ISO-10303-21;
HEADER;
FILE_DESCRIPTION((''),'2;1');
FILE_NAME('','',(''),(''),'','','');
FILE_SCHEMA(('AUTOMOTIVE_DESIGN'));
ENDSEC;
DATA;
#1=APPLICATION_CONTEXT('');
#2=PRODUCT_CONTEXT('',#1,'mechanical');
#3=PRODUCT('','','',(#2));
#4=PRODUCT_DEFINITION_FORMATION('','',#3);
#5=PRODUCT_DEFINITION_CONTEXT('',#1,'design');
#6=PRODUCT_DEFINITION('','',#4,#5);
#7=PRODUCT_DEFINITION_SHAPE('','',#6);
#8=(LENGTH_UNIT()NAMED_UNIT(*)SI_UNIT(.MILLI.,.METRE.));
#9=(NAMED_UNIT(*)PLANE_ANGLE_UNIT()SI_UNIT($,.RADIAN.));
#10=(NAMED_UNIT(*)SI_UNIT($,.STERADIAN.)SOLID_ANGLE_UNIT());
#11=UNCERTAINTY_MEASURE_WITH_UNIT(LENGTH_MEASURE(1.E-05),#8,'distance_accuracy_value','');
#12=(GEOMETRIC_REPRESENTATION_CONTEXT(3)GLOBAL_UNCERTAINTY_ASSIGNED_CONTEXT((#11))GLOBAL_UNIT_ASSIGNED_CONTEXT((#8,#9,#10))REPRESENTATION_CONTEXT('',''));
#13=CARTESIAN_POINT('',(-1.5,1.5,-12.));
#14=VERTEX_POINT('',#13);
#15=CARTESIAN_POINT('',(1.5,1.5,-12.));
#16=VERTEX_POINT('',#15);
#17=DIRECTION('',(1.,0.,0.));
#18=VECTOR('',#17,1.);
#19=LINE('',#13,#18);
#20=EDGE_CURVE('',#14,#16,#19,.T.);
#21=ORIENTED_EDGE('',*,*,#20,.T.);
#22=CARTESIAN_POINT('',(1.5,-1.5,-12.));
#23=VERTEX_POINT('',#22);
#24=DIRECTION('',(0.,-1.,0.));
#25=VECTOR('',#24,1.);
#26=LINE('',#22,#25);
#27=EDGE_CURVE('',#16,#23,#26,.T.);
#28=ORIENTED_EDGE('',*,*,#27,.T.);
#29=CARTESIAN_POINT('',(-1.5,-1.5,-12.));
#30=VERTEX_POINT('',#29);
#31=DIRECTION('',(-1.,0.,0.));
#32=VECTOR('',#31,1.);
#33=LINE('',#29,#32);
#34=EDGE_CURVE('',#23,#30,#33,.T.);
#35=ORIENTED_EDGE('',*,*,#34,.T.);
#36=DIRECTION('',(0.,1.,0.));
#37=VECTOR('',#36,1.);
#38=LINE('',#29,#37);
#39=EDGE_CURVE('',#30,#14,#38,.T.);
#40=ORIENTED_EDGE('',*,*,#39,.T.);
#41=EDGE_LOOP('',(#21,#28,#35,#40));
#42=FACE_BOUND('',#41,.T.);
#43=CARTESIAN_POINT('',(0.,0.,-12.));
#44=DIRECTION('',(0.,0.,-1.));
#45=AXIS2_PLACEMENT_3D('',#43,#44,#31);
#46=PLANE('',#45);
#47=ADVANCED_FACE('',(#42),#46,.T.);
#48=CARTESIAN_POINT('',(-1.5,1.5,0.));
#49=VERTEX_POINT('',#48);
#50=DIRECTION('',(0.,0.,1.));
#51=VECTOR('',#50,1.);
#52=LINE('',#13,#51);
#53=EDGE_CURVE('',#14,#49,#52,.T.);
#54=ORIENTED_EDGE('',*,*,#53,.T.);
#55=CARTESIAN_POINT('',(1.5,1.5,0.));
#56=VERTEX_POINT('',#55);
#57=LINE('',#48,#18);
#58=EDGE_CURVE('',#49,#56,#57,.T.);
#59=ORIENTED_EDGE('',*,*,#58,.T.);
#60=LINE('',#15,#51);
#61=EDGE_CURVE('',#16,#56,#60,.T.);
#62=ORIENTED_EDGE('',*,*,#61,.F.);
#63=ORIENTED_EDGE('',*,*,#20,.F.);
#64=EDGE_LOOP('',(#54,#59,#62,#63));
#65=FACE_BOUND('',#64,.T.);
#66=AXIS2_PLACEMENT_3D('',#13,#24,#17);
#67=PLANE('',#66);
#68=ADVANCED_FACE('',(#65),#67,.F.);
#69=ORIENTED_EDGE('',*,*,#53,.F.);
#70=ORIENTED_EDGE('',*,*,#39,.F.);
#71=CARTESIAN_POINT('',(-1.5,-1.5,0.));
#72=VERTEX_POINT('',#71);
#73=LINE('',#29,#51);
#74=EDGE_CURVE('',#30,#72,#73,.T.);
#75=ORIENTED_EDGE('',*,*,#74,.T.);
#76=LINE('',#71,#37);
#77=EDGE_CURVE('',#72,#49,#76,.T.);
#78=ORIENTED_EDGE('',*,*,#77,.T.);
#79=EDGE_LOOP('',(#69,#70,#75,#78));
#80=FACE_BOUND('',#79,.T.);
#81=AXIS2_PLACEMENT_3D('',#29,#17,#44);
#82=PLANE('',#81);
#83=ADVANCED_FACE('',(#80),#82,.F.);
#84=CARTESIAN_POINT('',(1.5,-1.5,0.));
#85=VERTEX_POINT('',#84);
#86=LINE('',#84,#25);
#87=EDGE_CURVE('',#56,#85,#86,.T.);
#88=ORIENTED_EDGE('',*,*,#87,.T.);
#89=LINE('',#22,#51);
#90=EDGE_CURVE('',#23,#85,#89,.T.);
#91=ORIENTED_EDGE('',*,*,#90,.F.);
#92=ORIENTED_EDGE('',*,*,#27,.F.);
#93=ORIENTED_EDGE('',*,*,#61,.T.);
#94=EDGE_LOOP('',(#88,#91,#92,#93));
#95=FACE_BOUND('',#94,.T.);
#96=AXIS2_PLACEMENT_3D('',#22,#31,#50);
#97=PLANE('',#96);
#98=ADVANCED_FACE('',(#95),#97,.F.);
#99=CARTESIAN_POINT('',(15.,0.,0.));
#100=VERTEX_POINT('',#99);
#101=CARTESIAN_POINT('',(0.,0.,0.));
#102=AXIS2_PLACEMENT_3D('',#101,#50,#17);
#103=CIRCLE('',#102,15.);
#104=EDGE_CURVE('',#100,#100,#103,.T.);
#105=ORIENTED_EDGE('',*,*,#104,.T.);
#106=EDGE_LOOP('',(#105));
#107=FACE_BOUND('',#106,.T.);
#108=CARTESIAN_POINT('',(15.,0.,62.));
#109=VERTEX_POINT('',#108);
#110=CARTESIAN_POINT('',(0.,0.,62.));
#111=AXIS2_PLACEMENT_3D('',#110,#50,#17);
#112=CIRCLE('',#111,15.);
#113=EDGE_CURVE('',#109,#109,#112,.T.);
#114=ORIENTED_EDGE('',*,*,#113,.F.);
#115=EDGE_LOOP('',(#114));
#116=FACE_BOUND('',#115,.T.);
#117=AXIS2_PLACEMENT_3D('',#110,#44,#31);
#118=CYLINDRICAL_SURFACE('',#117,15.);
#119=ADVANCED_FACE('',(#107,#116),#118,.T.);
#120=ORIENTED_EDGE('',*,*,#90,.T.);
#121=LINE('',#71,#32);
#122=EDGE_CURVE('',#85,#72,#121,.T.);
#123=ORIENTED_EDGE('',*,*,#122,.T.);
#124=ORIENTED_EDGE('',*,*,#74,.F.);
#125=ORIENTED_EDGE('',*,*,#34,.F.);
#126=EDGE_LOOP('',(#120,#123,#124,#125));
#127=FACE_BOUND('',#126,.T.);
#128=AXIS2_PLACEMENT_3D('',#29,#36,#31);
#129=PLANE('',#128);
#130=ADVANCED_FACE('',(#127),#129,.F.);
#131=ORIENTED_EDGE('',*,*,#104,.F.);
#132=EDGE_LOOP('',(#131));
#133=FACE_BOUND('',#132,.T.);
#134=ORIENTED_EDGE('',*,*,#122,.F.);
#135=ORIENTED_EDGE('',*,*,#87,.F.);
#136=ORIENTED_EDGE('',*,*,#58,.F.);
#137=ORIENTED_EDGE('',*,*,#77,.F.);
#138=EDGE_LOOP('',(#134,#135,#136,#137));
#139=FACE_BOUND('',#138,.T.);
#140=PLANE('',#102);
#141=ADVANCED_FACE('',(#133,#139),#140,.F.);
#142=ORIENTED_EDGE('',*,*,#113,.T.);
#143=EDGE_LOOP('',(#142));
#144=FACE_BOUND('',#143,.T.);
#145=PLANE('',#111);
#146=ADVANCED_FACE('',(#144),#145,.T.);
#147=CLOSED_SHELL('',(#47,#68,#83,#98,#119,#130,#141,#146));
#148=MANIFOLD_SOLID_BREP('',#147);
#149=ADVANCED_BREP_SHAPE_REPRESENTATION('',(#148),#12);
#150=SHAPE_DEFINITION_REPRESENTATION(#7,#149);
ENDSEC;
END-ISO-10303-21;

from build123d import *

# Parameters (mm, degrees)
ESQUISSE1_R        = 15
BOSS_EXTRU_1_DEPTH = 62
ESQUISSE2_W        = 3
ESQUISSE2_H        = 3
BOSS_EXTRU_2_DEPTH = 12


with BuildPart() as part:
    # Esquisse1 → Boss.-Extru.1 (new body)
    with BuildSketch(Plane.XY):
        Circle(ESQUISSE1_R)
    extrude(amount=BOSS_EXTRU_1_DEPTH)

    # Esquisse2 → Boss.-Extru.2 (add)
    with BuildSketch(Plane(origin=(0, 0, 0), x_dir=(-1, 0, 0), z_dir=(0, 0, -1))):
        Rectangle(ESQUISSE2_W, ESQUISSE2_H)
    extrude(amount=BOSS_EXTRU_2_DEPTH)


solid = part.part
